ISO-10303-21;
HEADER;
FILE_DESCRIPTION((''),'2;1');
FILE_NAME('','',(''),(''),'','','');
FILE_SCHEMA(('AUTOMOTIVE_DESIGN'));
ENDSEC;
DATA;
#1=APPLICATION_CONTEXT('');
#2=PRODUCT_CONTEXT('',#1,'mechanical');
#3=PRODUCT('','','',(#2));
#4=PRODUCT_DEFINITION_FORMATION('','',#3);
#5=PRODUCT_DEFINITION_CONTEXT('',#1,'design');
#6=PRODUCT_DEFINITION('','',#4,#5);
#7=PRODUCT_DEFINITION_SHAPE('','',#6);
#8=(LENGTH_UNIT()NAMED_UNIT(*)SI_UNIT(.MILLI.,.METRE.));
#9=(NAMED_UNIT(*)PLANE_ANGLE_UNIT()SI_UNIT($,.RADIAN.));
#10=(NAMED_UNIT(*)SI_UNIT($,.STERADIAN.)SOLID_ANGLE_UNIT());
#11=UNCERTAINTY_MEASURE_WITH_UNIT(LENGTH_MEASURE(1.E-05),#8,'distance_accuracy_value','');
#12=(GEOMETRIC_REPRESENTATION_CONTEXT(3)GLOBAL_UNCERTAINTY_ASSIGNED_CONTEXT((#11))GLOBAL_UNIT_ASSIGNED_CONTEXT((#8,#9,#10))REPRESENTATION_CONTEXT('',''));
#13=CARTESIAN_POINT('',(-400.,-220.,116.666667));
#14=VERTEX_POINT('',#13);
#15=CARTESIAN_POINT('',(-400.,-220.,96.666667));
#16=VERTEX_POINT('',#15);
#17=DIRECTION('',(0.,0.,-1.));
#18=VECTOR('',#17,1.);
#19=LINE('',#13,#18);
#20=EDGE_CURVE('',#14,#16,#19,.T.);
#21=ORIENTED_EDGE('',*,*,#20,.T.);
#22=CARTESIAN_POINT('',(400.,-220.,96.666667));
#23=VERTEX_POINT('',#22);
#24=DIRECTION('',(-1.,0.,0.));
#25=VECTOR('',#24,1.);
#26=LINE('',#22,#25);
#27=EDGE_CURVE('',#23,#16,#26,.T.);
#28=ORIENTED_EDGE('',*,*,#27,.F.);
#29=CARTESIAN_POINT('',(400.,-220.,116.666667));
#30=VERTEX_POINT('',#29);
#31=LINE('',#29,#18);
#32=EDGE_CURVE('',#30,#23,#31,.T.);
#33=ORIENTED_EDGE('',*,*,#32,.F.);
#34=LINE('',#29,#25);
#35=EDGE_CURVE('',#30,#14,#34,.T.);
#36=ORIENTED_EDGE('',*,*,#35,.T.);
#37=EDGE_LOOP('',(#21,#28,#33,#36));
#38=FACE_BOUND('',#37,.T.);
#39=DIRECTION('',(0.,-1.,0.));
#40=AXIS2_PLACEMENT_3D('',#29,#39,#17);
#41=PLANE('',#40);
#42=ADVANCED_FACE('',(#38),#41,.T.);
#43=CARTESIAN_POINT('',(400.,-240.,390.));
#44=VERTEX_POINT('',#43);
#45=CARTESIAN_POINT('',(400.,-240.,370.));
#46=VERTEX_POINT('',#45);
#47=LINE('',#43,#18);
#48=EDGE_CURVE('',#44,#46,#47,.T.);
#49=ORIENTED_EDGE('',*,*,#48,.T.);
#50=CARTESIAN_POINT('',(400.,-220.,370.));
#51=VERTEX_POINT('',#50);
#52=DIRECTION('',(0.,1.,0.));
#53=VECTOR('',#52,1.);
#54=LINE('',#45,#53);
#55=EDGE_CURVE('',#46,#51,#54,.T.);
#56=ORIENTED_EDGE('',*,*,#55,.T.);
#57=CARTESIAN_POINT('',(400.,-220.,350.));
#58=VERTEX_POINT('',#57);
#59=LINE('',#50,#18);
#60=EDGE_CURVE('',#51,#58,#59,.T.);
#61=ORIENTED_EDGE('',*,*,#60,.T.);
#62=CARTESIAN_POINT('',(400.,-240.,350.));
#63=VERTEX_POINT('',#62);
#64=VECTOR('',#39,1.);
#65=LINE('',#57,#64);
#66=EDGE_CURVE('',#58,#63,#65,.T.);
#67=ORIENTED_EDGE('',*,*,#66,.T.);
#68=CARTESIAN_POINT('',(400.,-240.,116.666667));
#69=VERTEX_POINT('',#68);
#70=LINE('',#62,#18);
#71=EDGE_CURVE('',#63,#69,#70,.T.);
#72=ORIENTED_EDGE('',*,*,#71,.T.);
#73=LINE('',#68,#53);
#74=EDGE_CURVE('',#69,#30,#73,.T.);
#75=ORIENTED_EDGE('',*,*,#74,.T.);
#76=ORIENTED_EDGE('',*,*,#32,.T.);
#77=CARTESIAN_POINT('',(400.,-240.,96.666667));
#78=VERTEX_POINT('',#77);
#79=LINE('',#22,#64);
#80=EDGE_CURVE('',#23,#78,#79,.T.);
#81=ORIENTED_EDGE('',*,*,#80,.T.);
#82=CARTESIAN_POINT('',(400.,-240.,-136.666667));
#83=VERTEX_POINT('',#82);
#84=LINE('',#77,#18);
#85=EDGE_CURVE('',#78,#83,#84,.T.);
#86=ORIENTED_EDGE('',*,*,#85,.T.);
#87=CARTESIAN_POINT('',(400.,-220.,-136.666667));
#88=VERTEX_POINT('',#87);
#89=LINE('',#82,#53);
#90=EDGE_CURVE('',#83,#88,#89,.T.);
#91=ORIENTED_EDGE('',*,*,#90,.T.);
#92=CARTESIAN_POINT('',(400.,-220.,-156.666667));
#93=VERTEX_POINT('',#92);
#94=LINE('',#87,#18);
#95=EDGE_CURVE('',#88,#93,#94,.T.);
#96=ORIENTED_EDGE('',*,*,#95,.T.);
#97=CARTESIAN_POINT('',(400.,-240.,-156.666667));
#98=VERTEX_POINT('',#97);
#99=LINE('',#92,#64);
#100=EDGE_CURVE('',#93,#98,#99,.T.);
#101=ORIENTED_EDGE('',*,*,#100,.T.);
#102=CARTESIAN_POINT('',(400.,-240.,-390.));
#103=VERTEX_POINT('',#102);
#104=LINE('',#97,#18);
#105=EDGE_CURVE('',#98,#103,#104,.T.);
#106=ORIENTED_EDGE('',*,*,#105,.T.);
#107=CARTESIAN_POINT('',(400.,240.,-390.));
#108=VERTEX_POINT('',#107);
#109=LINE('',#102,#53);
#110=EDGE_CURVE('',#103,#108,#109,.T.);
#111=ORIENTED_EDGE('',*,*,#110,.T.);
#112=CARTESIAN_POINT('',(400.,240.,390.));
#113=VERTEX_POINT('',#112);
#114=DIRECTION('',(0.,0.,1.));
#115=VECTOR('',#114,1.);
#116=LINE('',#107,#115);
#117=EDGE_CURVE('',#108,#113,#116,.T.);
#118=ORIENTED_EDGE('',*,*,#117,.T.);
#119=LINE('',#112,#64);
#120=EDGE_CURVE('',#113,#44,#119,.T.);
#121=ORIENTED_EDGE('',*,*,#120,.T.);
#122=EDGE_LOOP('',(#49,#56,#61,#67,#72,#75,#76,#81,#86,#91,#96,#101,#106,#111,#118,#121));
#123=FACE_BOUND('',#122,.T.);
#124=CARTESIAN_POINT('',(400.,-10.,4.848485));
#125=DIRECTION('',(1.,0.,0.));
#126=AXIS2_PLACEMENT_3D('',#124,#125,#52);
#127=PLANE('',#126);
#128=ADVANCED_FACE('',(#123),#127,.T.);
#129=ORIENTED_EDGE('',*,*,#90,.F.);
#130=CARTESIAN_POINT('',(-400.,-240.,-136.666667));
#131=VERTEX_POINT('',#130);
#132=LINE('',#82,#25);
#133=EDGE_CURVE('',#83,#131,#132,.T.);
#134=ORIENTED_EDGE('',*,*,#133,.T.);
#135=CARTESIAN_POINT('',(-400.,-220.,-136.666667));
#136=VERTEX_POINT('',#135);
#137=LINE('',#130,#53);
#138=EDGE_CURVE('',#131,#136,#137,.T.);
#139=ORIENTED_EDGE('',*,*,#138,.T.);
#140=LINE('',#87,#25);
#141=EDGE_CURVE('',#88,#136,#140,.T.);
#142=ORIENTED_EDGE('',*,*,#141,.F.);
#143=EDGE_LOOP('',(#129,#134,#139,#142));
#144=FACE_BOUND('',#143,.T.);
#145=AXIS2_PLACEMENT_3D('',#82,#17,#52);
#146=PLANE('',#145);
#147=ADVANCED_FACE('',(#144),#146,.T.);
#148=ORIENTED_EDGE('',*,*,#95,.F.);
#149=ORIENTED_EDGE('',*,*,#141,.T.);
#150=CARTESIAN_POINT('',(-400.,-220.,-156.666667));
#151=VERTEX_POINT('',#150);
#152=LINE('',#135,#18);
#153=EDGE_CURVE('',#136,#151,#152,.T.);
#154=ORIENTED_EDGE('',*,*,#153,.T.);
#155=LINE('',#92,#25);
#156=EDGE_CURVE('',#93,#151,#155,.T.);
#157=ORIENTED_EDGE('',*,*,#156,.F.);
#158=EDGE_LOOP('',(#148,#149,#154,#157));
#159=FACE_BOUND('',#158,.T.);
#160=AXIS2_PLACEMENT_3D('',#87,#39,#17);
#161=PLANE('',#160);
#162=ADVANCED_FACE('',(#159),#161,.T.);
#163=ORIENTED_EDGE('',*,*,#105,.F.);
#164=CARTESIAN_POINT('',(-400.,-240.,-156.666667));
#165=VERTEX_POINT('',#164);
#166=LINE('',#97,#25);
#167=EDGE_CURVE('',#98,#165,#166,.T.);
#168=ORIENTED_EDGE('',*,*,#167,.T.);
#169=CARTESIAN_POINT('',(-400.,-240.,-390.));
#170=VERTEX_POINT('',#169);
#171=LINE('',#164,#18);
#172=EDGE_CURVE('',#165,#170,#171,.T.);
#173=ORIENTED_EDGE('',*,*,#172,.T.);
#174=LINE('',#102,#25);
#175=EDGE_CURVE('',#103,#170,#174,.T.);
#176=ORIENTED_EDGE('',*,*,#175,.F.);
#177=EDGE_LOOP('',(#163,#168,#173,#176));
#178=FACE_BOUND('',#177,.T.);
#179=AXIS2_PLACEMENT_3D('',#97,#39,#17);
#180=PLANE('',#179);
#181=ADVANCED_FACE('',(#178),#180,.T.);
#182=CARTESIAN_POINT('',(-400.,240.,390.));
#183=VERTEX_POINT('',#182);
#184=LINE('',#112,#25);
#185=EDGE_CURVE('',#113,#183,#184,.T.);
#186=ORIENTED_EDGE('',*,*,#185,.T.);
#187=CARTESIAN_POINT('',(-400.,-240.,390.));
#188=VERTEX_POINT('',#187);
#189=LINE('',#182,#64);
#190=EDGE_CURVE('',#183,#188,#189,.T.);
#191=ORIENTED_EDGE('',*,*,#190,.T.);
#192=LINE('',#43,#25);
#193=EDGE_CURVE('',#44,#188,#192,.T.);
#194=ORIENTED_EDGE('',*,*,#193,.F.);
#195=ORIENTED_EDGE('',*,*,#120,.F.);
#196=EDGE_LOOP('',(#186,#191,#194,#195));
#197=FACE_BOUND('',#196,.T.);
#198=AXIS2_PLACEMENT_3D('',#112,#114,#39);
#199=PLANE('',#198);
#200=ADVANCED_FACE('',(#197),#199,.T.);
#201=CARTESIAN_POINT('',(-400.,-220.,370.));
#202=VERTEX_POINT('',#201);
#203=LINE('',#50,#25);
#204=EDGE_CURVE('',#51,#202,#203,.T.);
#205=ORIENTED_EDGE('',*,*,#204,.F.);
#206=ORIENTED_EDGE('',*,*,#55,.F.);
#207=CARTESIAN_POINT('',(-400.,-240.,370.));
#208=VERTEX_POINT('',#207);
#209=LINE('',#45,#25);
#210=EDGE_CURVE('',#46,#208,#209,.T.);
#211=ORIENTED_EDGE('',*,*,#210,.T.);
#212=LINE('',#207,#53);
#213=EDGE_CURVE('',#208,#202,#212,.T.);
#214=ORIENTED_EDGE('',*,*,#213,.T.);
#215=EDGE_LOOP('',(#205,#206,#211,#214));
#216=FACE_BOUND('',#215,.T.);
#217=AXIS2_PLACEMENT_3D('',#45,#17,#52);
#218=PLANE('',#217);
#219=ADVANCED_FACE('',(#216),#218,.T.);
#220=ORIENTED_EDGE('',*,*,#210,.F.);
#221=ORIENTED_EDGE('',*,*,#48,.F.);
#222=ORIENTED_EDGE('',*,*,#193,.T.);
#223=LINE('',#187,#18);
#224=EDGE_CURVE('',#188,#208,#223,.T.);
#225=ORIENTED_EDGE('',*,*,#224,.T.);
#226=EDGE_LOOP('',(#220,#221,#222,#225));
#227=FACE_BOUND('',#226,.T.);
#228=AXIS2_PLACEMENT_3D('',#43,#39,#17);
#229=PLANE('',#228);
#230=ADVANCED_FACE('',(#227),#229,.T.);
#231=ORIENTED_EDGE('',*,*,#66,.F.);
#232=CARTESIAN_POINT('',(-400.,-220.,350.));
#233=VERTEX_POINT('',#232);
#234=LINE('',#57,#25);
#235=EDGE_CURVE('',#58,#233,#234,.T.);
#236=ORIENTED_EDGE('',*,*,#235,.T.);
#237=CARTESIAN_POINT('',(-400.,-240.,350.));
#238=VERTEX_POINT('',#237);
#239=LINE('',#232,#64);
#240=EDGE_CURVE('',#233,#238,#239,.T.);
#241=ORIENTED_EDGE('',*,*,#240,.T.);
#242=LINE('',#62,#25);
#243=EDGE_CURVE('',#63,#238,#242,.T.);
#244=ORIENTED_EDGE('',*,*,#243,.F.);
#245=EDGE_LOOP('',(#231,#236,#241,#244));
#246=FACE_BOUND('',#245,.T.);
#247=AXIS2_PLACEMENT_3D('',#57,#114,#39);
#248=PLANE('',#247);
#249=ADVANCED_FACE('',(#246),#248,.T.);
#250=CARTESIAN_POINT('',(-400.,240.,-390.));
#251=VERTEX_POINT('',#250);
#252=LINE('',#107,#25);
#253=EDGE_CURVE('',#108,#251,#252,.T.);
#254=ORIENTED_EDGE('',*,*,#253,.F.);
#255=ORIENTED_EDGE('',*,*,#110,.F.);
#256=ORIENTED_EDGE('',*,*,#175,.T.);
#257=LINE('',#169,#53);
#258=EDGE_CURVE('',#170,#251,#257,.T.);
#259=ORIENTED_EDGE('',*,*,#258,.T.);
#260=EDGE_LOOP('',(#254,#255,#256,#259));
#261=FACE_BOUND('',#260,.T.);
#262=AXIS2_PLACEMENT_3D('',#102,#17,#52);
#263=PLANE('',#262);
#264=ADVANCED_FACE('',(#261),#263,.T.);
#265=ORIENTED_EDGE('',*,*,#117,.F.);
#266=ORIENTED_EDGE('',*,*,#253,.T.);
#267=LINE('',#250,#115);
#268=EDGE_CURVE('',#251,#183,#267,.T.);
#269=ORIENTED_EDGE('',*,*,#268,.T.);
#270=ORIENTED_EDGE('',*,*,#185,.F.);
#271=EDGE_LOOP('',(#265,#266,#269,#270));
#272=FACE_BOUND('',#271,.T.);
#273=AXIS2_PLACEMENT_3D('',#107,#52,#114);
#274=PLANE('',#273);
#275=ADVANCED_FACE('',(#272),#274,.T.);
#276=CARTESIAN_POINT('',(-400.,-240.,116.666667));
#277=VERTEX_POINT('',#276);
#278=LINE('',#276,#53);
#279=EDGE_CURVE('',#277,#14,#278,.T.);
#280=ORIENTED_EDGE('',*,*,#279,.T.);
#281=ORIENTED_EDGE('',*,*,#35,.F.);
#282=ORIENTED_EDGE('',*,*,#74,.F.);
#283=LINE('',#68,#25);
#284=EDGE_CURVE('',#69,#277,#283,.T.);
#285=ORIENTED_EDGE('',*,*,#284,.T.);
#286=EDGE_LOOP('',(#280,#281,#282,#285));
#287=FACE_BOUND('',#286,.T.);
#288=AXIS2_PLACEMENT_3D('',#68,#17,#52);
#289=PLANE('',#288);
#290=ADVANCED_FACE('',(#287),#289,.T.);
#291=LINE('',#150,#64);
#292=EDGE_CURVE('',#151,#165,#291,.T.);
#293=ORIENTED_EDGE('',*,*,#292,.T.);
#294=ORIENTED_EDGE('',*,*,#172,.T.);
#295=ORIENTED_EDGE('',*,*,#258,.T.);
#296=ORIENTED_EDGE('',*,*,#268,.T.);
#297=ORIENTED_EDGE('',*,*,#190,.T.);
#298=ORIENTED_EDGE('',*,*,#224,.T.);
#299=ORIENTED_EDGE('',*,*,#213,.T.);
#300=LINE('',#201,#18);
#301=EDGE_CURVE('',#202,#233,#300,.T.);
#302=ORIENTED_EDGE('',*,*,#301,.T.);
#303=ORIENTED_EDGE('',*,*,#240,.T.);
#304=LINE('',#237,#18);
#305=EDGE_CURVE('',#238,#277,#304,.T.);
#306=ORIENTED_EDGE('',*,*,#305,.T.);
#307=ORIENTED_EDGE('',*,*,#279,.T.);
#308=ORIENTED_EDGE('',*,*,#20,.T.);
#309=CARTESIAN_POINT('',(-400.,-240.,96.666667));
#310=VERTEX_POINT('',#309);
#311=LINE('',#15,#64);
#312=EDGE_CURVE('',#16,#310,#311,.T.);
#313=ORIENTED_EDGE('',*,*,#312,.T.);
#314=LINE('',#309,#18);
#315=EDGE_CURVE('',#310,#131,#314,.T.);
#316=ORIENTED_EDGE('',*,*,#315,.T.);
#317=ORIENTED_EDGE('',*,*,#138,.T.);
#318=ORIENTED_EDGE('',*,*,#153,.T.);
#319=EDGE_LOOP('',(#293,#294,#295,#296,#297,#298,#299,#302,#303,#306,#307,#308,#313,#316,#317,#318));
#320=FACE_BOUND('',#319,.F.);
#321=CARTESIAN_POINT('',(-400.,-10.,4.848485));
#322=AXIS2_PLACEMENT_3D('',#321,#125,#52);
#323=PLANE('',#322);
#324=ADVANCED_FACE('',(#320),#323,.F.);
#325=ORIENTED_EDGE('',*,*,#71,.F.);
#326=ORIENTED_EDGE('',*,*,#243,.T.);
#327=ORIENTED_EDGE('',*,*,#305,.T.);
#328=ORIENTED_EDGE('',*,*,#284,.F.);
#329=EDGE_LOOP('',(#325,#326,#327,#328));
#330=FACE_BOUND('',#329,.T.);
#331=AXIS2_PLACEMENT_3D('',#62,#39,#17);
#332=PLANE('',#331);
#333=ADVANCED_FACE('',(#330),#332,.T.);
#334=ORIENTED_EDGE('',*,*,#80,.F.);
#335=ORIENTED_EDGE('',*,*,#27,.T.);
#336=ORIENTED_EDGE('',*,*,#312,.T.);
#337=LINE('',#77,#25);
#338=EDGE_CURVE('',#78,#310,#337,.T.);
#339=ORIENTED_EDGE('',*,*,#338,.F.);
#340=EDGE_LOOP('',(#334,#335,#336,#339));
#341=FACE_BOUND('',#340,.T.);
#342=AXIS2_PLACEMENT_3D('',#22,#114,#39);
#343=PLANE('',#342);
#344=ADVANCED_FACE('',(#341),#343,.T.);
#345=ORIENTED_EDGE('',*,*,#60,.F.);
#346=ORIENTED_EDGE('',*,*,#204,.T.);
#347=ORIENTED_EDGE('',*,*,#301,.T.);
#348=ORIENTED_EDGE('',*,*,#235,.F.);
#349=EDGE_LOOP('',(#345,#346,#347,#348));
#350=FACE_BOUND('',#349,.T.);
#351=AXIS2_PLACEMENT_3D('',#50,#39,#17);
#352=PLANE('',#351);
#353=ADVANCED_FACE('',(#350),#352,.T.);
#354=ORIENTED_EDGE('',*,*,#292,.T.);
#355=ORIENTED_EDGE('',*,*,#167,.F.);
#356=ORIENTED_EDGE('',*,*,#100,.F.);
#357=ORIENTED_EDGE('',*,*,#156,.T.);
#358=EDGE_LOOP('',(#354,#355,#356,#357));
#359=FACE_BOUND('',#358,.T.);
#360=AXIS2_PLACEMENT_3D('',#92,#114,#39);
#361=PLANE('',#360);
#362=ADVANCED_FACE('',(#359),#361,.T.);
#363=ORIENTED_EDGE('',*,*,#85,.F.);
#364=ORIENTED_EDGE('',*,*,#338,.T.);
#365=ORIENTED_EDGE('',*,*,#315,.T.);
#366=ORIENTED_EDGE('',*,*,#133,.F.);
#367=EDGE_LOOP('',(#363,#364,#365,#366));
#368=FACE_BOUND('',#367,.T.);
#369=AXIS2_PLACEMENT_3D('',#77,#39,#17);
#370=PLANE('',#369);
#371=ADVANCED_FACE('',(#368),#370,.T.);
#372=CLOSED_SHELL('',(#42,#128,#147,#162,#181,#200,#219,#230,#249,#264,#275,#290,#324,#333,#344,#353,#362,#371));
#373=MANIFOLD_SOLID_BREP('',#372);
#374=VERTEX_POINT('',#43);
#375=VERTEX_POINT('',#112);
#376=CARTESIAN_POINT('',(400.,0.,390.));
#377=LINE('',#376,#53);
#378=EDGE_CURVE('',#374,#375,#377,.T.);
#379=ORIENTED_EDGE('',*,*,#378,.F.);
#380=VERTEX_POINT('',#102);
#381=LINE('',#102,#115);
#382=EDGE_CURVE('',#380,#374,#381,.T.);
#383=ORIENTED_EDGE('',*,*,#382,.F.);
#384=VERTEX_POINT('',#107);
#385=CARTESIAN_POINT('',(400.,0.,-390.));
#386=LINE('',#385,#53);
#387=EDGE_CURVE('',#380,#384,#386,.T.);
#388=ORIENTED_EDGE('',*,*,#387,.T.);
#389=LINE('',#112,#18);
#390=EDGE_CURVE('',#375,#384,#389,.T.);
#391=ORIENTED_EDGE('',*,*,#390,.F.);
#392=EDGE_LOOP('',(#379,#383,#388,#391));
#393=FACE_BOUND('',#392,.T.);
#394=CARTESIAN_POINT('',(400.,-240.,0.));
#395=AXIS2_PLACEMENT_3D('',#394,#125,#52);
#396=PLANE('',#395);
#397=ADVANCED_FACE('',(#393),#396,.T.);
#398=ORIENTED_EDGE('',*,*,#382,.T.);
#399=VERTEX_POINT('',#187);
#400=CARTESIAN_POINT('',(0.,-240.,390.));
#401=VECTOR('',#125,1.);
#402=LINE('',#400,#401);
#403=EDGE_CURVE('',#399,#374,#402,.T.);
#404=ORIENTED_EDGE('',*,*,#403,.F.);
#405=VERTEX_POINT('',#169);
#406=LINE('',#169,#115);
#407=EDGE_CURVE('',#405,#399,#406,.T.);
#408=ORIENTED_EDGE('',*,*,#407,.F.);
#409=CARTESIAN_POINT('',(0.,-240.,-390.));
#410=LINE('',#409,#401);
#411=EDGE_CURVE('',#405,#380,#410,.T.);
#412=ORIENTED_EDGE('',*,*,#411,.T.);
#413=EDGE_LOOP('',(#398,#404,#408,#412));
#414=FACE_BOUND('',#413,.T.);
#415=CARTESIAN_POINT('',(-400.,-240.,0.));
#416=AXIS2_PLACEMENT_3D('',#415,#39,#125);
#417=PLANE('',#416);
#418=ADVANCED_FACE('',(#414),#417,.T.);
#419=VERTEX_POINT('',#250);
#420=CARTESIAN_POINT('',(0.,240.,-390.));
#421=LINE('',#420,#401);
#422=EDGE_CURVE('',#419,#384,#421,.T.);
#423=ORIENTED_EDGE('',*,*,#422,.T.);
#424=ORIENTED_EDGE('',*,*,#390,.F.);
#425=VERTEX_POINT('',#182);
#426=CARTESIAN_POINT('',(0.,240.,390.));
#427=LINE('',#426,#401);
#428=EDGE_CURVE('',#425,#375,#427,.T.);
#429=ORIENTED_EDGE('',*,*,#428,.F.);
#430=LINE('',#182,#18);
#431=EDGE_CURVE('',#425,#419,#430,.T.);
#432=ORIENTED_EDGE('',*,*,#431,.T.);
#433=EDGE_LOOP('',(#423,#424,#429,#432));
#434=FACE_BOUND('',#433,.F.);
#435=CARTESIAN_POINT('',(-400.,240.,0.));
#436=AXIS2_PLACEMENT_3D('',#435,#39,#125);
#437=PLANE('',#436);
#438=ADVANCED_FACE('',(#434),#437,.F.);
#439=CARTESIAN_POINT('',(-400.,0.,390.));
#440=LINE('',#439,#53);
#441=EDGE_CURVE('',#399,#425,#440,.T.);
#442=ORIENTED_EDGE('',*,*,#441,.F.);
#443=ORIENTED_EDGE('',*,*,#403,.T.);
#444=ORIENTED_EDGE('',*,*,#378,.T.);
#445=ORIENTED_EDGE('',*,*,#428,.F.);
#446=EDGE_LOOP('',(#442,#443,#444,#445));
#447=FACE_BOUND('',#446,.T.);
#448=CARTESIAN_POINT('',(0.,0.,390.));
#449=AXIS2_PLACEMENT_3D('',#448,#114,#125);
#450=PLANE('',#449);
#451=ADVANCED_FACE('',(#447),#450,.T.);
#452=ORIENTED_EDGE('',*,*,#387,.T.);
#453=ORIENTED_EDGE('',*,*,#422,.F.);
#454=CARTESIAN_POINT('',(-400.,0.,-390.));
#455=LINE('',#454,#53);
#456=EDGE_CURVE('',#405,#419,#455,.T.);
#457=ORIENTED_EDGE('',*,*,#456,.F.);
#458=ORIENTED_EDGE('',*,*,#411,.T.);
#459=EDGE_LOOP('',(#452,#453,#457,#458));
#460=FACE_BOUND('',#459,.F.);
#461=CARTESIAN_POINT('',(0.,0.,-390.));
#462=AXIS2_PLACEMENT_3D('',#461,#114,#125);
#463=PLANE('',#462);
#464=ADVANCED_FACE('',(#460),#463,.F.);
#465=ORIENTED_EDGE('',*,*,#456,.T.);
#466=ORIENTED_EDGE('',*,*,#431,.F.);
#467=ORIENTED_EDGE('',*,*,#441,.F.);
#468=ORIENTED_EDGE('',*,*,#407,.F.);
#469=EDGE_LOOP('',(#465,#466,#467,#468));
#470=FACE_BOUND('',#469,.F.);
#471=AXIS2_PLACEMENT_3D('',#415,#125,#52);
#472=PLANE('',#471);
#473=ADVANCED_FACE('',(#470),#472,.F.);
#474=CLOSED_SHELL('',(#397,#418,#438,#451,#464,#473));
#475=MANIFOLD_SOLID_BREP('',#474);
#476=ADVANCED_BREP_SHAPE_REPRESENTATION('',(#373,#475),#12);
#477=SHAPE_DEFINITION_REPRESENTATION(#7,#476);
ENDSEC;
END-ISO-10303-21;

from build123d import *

# Parameters (mm, degrees)
F0_W     = 800
F0_H     = 480
F1_DEPTH = 390
F3_DEPTH = 800


with BuildPart() as f1:
    # F0 (on Top) → F1 (new body, symmetric)
    with BuildSketch(Plane.XY):
        Rectangle(F0_W, F0_H)
    extrude(amount=F1_DEPTH, both=True)


with BuildPart() as f3:
    # F2 (on face) → F3 (new body)
    with BuildSketch(Plane.YZ.offset(400)):
        Polygon((240, 390), (-240, 390), (-240, 370), (-220, 370), (-220, 350), (-240, 350), (-240, 116.6666666667), (-220, 116.6666666667), (-220, 96.6666666667), (-240, 96.6666666667), (-240, -136.6666666667), (-220, -136.6666666667), (-220, -156.6666666667), (-240, -156.6666666667), (-240, -390), (240, -390), align=None)
    extrude(amount=-F3_DEPTH)


solid = Compound([f1.part, f3.part])
